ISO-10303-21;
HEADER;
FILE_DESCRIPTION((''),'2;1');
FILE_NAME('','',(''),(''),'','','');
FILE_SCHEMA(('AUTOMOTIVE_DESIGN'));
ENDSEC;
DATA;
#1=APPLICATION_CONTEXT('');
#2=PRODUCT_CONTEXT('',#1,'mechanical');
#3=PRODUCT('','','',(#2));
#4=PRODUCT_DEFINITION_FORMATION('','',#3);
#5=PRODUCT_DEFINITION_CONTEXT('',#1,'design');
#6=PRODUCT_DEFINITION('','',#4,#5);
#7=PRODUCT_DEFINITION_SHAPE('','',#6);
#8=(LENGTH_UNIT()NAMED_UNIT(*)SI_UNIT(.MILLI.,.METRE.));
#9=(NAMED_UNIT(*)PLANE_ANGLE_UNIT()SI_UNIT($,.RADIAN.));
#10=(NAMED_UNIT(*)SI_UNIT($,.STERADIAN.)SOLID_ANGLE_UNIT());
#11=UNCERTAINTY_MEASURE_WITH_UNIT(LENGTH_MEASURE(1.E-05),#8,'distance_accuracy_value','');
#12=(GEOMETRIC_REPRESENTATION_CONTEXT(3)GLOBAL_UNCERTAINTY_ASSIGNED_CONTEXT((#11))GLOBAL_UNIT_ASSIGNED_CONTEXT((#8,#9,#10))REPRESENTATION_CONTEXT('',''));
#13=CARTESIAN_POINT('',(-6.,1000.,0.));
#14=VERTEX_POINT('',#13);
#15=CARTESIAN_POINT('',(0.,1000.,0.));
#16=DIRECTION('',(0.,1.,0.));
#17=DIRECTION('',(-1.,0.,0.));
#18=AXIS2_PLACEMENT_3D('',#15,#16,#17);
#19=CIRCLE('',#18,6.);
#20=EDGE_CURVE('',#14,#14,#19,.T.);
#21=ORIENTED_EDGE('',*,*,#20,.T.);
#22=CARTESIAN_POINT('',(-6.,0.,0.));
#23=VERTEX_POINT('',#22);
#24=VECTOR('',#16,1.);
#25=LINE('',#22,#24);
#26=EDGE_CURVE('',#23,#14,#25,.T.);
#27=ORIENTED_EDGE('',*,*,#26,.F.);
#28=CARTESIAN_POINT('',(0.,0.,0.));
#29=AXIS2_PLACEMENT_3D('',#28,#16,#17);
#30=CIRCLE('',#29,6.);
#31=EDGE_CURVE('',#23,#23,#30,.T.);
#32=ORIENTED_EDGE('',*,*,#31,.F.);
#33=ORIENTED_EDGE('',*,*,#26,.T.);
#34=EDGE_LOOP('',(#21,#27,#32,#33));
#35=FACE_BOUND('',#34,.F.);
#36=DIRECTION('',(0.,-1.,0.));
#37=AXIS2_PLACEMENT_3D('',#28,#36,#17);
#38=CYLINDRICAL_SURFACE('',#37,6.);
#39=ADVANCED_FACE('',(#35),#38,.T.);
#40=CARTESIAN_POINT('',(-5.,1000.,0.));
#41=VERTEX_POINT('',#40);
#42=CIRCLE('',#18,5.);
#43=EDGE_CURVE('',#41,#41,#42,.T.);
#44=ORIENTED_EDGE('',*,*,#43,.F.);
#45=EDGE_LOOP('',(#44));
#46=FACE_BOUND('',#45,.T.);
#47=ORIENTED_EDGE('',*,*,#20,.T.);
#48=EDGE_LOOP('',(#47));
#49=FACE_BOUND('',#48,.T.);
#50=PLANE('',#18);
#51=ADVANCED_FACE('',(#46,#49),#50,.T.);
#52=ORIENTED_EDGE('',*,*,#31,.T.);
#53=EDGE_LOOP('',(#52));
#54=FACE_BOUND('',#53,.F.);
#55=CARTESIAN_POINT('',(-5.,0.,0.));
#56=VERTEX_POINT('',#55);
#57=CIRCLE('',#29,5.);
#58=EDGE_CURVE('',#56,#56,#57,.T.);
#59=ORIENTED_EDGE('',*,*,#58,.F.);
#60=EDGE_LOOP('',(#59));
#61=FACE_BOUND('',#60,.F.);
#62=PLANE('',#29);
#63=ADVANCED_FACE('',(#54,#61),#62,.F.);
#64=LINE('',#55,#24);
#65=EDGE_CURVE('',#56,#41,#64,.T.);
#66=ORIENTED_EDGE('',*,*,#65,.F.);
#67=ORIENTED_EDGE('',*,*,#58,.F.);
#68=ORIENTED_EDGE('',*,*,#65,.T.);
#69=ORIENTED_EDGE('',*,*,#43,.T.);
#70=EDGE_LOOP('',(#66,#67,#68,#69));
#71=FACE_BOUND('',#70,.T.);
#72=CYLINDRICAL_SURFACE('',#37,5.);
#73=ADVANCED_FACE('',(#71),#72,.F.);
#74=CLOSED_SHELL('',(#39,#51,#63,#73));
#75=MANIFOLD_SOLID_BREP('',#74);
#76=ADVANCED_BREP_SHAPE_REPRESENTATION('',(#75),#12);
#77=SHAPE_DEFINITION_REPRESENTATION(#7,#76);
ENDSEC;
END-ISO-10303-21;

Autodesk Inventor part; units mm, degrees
ref_plane "YZ Plane" through (0, 0, 0) normal (1, 0, 0) x (0, 1, 0)
ref_plane "XZ Plane" through (0, 0, 0) normal (0, 1, 0) x (-1, 0, 0)
ref_plane "XY Plane" through (0, 0, 0) normal (0, 0, 1) x (1, 0, 0)
sketch "Sketch1" plane through (0, 0, 0) normal (0, 1, 0) x (-1, 0, 0)
  circle A0 centre (0, 0) radius 5
  circle A1 centre (0, 0) radius 6
  dimension "d0" = 12
  dimension "d1" = 1
extrude "Extrusion1" add sketch "Sketch1" along normal blind 1000
properties part number "pipe" material "Aluminum 6061"
